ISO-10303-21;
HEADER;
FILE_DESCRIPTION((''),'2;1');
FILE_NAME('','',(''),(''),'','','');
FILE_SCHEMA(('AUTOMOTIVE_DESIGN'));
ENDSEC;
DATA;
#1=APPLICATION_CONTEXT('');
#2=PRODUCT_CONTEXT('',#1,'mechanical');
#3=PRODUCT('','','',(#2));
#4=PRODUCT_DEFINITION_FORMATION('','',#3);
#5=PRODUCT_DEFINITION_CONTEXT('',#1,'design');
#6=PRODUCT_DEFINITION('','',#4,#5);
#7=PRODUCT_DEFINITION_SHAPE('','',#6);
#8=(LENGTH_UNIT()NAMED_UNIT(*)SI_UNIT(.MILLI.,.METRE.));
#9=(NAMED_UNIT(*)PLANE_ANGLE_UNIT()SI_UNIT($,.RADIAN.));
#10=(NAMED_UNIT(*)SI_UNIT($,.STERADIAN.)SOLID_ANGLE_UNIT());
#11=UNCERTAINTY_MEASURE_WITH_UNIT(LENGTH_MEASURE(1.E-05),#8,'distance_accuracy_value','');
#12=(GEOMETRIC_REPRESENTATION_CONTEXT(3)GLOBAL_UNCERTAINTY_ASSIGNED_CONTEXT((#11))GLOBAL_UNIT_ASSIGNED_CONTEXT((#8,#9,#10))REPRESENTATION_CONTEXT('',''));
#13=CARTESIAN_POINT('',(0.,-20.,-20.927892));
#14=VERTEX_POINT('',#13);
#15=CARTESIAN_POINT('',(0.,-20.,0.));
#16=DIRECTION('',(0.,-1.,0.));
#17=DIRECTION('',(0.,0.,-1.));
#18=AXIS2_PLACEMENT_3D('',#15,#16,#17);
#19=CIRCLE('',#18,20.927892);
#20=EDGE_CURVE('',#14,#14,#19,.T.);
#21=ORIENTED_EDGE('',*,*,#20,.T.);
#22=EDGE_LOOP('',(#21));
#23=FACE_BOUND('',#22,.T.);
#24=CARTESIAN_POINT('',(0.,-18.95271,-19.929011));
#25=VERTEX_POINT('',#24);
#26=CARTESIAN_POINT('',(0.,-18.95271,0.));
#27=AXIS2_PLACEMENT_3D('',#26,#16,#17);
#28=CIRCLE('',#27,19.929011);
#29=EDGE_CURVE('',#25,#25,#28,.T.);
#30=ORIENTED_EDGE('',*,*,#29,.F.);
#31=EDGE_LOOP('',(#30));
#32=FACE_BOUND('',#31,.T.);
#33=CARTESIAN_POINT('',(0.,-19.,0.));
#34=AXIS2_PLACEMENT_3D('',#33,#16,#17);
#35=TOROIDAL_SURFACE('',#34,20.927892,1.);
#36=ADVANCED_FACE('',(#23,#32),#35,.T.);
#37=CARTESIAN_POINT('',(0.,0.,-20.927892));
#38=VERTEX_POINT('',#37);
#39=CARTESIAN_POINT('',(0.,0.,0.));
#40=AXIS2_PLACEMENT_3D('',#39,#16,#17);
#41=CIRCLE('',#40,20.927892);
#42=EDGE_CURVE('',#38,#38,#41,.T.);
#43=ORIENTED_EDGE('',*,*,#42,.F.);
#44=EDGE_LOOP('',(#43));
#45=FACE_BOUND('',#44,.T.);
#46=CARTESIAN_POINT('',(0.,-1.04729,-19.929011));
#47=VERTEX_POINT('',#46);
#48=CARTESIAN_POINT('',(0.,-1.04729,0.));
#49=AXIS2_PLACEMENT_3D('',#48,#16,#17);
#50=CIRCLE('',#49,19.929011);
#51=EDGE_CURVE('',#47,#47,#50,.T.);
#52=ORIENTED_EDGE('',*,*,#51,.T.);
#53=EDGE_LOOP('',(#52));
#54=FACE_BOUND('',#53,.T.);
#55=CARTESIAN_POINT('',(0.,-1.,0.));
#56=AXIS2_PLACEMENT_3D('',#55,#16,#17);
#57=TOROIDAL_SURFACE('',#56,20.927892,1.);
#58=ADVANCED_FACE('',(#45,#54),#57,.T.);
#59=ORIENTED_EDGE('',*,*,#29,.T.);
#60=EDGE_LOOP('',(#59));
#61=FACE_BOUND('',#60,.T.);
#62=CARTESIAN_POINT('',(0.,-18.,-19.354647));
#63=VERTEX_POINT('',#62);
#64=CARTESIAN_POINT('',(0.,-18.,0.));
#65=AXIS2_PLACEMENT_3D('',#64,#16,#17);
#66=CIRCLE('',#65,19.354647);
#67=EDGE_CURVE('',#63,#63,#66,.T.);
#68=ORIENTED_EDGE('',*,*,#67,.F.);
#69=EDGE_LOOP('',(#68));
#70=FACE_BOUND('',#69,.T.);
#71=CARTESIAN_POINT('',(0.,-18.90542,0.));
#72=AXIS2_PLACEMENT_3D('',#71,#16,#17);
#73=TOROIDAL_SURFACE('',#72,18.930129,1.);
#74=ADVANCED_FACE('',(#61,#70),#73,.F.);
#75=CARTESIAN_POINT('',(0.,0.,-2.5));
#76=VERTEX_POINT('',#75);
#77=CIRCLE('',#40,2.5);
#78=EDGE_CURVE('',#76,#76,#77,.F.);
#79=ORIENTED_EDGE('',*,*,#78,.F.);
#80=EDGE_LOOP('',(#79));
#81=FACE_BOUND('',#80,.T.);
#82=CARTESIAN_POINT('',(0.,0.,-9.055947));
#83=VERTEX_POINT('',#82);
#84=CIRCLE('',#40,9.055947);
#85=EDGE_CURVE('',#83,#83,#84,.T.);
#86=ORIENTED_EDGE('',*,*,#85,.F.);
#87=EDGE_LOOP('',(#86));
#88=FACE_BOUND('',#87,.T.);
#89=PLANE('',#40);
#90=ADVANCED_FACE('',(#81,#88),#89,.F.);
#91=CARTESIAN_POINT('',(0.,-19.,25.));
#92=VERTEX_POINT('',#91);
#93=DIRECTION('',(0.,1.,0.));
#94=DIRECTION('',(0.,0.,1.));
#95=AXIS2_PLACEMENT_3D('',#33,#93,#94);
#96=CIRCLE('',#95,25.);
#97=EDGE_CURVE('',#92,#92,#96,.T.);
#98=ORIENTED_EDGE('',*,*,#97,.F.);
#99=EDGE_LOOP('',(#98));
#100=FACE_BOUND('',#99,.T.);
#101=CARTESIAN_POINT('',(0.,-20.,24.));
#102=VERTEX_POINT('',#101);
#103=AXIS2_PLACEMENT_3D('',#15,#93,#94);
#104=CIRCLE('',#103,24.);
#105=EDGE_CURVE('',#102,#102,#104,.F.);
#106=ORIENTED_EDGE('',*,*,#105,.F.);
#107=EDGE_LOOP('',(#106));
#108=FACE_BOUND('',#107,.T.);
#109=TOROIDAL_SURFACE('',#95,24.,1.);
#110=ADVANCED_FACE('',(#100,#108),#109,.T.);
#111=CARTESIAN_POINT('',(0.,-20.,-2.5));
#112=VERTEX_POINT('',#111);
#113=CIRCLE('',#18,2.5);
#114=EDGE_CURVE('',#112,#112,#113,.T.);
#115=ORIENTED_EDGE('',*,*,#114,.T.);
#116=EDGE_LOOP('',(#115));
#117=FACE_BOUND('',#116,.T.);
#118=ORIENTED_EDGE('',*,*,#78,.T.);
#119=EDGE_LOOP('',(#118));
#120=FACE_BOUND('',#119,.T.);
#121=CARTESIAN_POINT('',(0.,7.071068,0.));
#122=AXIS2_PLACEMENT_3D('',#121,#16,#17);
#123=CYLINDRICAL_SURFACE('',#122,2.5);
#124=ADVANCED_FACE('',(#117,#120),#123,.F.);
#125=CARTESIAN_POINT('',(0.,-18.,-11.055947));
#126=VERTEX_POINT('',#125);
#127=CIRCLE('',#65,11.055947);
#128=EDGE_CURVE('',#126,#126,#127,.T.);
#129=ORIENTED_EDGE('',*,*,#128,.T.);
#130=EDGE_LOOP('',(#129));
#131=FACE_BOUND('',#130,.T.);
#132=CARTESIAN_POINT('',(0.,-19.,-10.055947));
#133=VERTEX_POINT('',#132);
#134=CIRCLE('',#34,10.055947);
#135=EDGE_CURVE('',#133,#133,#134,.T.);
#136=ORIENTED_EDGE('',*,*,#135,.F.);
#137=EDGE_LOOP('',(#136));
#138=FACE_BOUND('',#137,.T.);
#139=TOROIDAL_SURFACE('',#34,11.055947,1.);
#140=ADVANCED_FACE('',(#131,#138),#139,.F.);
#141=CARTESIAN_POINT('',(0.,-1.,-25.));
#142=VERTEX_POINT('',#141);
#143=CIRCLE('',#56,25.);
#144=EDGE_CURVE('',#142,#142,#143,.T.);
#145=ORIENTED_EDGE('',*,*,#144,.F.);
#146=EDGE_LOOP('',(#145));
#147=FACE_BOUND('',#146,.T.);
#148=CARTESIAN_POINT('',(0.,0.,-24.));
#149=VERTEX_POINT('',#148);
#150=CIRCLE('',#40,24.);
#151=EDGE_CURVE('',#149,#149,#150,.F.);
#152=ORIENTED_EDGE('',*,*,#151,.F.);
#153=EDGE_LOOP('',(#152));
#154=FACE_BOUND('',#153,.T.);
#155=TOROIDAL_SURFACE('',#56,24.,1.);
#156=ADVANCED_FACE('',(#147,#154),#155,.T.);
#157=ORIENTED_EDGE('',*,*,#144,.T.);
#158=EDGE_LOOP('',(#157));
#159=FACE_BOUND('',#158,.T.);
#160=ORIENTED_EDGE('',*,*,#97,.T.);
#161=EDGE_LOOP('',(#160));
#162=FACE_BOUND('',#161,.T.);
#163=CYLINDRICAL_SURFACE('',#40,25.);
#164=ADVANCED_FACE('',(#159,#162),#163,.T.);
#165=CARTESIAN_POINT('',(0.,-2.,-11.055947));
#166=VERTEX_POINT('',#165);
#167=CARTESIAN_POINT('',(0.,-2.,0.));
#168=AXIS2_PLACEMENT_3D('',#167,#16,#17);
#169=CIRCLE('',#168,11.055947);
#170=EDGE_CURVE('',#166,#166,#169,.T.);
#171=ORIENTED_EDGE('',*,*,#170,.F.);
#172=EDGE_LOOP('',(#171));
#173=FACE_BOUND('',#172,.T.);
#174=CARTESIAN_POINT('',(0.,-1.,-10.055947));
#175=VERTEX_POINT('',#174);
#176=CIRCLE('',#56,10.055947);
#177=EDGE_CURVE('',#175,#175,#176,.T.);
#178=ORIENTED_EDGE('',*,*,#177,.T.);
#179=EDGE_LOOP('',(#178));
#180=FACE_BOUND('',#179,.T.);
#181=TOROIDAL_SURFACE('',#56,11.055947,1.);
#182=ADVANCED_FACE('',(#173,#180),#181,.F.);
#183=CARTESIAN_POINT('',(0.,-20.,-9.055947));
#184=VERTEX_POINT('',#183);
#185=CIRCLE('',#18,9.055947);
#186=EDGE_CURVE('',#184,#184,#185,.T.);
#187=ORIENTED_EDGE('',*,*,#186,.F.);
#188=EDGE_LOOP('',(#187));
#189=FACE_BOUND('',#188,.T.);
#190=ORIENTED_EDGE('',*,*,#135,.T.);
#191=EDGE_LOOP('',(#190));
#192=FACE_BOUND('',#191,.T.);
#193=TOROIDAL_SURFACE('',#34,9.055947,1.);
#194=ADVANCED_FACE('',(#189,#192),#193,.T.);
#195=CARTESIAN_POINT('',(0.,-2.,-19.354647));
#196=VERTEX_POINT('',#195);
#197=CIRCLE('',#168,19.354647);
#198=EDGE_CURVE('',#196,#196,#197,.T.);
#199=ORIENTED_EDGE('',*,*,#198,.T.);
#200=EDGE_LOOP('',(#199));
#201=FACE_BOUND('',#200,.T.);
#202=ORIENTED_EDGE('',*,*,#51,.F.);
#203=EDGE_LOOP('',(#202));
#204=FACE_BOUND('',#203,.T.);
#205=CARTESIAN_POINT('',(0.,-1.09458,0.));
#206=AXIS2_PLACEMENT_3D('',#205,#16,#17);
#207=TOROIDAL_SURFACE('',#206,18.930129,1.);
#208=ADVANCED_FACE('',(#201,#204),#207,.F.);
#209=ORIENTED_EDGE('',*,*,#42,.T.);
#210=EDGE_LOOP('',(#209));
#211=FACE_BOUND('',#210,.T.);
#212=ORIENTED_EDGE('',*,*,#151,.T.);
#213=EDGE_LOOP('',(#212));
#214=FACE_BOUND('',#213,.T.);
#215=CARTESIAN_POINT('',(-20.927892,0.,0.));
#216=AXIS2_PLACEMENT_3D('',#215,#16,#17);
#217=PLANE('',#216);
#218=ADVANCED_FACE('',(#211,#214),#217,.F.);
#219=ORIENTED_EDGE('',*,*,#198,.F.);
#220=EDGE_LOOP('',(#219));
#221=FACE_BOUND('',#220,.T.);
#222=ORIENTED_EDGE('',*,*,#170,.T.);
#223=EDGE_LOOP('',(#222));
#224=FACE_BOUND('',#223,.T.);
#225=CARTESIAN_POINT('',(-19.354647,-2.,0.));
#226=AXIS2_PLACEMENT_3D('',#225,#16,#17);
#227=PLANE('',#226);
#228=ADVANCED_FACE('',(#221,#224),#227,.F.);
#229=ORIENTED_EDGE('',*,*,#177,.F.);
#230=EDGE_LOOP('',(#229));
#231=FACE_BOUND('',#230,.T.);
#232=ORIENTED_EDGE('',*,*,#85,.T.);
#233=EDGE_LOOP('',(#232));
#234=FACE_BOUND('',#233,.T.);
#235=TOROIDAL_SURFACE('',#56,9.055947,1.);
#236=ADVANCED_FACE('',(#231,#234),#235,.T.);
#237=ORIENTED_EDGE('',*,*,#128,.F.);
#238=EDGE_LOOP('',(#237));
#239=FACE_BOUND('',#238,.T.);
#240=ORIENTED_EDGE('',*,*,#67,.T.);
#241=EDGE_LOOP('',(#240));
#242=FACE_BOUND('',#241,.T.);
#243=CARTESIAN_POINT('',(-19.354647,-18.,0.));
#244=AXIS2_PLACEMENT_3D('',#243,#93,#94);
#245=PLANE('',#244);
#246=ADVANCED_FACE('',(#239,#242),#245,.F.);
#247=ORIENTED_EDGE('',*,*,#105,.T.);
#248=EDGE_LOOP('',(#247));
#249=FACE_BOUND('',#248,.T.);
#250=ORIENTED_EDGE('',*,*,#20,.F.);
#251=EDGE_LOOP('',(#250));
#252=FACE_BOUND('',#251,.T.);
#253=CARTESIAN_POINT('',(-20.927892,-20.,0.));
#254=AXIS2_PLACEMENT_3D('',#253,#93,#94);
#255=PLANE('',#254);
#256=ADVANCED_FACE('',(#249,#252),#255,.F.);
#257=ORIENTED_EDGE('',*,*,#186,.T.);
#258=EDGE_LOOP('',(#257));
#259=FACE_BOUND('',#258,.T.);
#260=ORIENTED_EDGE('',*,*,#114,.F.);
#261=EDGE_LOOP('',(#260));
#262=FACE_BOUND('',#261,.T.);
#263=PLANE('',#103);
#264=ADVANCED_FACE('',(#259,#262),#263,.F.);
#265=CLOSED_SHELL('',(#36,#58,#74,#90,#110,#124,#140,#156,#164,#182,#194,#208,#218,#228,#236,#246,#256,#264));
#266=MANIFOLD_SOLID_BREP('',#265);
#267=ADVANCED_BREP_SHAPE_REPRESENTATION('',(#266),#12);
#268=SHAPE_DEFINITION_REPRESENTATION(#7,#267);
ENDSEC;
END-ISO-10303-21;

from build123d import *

# Parameters (mm, degrees)
SKETCH3_R          = 2.5
CUT_EXTRUDE2_DEPTH = 20
FILLET2_R          = 1


with BuildPart() as part:
    # Sketch1 → Revolve1 (revolve)
    with BuildSketch(Plane.XY, mode=Mode.PRIVATE) as revolve1_sk:
        with BuildLine():
            Line((0, 0), (-9.055946811, 0))
            ThreePointArc((-9.055946811, 0), (-9.763053592, -0.292893219), (-10.055946811, -1))
            ThreePointArc((-10.055946811, -1), (-10.34884003, -1.707106781), (-11.055946811, -2))
            Line((-11.055946811, -2), (-19.354647336, -2))
            ThreePointArc((-19.354647336, -2), (-19.786534849, -1.610884416), (-19.929010638, -1.047290225))
            ThreePointArc((-19.929010638, -1.047290225), (-20.204258557, -0.309815324), (-20.927891829, 0))
            Line((-20.927891829, 0), (-25, 0))
            Line((-25, 0), (-25, -20))
            Line((-25, -20), (-20.927891829, -20))
            ThreePointArc((-20.927891829, -20), (-20.204258557, -19.690184676), (-19.929010638, -18.952709775))
            ThreePointArc((-19.929010638, -18.952709775), (-19.786534849, -18.389115584), (-19.354647336, -18))
            Line((-19.354647336, -18), (-11.055946811, -18))
            ThreePointArc((-11.055946811, -18), (-10.34884003, -18.292893219), (-10.055946811, -19))
            ThreePointArc((-10.055946811, -19), (-9.763053592, -19.707106781), (-9.055946811, -20))
            Line((-9.055946811, -20), (0, -20))
            Line((0, -20), (0, 0))
        make_face()
    revolve(revolve1_sk.sketch.rotate(Axis((0, 0, 0), (0, 1, 0)), 270), axis=Axis((0, 0, 0), (0, 1, 0)))

    # Sketch3 → Cut-Extrude2 (cut)
    with BuildSketch(Plane.XZ.offset(20)):
        with Locations(Location((0, 0, 0), (0, 0, 270))):
            Circle(SKETCH3_R)
    extrude(amount=-CUT_EXTRUDE2_DEPTH, mode=Mode.SUBTRACT)

    # Fillet2
    fillet2_edges = [part.edges().sort_by_distance(p)[0] for p in [
        (0, -20, 25),
        (0, 0, 25),
    ]]
    fillet(fillet2_edges, radius=FILLET2_R)


solid = part.part
